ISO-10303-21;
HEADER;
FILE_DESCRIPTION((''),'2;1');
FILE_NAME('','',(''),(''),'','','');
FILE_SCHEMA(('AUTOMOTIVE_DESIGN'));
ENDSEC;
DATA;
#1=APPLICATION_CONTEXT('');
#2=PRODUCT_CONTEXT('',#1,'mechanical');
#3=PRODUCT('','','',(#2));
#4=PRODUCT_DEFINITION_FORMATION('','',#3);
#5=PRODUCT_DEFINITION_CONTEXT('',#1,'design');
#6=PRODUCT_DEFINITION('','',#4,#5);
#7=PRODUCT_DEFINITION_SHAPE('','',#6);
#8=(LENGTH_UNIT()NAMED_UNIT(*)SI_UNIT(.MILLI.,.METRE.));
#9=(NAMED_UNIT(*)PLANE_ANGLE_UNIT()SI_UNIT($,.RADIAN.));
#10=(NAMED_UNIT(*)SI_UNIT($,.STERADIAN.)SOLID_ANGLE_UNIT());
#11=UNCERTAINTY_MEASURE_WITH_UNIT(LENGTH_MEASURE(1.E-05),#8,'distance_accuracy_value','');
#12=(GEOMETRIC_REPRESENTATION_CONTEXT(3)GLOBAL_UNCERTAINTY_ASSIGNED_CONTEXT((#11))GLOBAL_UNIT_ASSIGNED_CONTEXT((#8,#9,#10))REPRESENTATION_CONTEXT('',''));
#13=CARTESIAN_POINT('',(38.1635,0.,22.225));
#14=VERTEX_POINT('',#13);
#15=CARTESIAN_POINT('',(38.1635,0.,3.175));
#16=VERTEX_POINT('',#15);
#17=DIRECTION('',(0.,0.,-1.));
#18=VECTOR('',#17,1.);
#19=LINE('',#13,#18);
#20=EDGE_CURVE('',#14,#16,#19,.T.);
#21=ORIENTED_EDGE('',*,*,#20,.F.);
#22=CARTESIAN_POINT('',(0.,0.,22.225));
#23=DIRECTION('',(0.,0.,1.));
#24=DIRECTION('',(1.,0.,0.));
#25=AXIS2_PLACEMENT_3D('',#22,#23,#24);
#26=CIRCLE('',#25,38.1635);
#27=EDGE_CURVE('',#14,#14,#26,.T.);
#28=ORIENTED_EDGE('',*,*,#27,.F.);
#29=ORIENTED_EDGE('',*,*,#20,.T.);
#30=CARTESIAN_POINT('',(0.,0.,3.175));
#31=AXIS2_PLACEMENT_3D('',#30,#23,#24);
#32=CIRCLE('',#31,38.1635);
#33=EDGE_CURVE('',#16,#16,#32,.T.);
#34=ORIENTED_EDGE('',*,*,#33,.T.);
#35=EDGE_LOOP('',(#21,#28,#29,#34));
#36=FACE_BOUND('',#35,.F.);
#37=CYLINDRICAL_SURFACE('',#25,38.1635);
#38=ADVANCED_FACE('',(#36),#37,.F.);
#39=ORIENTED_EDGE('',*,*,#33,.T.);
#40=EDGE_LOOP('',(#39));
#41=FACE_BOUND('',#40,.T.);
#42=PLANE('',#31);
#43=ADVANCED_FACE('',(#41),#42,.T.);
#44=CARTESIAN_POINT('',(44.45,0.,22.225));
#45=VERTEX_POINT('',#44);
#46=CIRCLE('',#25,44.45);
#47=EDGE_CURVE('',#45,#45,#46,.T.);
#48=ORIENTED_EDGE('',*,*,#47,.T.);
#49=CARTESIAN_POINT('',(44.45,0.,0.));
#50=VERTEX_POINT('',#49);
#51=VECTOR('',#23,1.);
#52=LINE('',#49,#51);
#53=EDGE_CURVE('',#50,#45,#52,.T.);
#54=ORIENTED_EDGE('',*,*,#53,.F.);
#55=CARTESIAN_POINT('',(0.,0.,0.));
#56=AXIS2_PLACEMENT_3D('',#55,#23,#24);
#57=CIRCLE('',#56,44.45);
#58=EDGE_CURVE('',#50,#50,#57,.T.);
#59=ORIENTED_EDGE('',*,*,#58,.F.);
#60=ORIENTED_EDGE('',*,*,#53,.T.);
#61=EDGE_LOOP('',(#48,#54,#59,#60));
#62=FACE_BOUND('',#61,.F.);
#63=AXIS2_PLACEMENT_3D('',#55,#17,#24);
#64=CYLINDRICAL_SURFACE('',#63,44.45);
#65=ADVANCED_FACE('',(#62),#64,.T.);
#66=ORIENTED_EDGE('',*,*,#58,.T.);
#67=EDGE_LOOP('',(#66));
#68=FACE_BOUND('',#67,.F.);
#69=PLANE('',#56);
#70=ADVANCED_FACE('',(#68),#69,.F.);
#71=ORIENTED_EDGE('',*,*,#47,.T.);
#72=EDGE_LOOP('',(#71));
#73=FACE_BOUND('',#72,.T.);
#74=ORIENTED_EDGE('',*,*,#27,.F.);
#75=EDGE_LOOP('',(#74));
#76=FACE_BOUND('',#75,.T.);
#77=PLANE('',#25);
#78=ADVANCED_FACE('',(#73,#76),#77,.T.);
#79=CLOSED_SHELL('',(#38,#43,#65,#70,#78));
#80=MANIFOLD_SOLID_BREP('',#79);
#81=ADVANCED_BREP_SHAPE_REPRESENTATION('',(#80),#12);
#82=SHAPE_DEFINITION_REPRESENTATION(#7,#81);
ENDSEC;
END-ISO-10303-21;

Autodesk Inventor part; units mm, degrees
ref_plane "YZ Plane" through (0, 0, 0) normal (1, 0, 0) x (0, 1, 0)
ref_plane "XZ Plane" through (0, 0, 0) normal (0, 1, 0) x (-1, 0, 0)
ref_plane "XY Plane" through (0, 0, 0) normal (0, 0, 1) x (1, 0, 0)
sketch "Sketch1" plane through (0, 0, 0) normal (0, 0, 1) x (1, 0, 0)
  circle A0 centre (0, 0) radius 44.45
  dimension "d1" = 88.9
extrude "Extrusion1" add sketch "Sketch1" along normal blind 22.225
sketch "Sketch2" plane through (0, 0, 22.225) normal (0, 0, 1) x (1, 0, 0)
  circle A0 centre (0, 0) radius 38.1635
  dimension "d4" = 76.327
extrude "Extrusion2" cut sketch "Sketch2" against normal blind 19.05
properties part number "thin_flex_wheel"
